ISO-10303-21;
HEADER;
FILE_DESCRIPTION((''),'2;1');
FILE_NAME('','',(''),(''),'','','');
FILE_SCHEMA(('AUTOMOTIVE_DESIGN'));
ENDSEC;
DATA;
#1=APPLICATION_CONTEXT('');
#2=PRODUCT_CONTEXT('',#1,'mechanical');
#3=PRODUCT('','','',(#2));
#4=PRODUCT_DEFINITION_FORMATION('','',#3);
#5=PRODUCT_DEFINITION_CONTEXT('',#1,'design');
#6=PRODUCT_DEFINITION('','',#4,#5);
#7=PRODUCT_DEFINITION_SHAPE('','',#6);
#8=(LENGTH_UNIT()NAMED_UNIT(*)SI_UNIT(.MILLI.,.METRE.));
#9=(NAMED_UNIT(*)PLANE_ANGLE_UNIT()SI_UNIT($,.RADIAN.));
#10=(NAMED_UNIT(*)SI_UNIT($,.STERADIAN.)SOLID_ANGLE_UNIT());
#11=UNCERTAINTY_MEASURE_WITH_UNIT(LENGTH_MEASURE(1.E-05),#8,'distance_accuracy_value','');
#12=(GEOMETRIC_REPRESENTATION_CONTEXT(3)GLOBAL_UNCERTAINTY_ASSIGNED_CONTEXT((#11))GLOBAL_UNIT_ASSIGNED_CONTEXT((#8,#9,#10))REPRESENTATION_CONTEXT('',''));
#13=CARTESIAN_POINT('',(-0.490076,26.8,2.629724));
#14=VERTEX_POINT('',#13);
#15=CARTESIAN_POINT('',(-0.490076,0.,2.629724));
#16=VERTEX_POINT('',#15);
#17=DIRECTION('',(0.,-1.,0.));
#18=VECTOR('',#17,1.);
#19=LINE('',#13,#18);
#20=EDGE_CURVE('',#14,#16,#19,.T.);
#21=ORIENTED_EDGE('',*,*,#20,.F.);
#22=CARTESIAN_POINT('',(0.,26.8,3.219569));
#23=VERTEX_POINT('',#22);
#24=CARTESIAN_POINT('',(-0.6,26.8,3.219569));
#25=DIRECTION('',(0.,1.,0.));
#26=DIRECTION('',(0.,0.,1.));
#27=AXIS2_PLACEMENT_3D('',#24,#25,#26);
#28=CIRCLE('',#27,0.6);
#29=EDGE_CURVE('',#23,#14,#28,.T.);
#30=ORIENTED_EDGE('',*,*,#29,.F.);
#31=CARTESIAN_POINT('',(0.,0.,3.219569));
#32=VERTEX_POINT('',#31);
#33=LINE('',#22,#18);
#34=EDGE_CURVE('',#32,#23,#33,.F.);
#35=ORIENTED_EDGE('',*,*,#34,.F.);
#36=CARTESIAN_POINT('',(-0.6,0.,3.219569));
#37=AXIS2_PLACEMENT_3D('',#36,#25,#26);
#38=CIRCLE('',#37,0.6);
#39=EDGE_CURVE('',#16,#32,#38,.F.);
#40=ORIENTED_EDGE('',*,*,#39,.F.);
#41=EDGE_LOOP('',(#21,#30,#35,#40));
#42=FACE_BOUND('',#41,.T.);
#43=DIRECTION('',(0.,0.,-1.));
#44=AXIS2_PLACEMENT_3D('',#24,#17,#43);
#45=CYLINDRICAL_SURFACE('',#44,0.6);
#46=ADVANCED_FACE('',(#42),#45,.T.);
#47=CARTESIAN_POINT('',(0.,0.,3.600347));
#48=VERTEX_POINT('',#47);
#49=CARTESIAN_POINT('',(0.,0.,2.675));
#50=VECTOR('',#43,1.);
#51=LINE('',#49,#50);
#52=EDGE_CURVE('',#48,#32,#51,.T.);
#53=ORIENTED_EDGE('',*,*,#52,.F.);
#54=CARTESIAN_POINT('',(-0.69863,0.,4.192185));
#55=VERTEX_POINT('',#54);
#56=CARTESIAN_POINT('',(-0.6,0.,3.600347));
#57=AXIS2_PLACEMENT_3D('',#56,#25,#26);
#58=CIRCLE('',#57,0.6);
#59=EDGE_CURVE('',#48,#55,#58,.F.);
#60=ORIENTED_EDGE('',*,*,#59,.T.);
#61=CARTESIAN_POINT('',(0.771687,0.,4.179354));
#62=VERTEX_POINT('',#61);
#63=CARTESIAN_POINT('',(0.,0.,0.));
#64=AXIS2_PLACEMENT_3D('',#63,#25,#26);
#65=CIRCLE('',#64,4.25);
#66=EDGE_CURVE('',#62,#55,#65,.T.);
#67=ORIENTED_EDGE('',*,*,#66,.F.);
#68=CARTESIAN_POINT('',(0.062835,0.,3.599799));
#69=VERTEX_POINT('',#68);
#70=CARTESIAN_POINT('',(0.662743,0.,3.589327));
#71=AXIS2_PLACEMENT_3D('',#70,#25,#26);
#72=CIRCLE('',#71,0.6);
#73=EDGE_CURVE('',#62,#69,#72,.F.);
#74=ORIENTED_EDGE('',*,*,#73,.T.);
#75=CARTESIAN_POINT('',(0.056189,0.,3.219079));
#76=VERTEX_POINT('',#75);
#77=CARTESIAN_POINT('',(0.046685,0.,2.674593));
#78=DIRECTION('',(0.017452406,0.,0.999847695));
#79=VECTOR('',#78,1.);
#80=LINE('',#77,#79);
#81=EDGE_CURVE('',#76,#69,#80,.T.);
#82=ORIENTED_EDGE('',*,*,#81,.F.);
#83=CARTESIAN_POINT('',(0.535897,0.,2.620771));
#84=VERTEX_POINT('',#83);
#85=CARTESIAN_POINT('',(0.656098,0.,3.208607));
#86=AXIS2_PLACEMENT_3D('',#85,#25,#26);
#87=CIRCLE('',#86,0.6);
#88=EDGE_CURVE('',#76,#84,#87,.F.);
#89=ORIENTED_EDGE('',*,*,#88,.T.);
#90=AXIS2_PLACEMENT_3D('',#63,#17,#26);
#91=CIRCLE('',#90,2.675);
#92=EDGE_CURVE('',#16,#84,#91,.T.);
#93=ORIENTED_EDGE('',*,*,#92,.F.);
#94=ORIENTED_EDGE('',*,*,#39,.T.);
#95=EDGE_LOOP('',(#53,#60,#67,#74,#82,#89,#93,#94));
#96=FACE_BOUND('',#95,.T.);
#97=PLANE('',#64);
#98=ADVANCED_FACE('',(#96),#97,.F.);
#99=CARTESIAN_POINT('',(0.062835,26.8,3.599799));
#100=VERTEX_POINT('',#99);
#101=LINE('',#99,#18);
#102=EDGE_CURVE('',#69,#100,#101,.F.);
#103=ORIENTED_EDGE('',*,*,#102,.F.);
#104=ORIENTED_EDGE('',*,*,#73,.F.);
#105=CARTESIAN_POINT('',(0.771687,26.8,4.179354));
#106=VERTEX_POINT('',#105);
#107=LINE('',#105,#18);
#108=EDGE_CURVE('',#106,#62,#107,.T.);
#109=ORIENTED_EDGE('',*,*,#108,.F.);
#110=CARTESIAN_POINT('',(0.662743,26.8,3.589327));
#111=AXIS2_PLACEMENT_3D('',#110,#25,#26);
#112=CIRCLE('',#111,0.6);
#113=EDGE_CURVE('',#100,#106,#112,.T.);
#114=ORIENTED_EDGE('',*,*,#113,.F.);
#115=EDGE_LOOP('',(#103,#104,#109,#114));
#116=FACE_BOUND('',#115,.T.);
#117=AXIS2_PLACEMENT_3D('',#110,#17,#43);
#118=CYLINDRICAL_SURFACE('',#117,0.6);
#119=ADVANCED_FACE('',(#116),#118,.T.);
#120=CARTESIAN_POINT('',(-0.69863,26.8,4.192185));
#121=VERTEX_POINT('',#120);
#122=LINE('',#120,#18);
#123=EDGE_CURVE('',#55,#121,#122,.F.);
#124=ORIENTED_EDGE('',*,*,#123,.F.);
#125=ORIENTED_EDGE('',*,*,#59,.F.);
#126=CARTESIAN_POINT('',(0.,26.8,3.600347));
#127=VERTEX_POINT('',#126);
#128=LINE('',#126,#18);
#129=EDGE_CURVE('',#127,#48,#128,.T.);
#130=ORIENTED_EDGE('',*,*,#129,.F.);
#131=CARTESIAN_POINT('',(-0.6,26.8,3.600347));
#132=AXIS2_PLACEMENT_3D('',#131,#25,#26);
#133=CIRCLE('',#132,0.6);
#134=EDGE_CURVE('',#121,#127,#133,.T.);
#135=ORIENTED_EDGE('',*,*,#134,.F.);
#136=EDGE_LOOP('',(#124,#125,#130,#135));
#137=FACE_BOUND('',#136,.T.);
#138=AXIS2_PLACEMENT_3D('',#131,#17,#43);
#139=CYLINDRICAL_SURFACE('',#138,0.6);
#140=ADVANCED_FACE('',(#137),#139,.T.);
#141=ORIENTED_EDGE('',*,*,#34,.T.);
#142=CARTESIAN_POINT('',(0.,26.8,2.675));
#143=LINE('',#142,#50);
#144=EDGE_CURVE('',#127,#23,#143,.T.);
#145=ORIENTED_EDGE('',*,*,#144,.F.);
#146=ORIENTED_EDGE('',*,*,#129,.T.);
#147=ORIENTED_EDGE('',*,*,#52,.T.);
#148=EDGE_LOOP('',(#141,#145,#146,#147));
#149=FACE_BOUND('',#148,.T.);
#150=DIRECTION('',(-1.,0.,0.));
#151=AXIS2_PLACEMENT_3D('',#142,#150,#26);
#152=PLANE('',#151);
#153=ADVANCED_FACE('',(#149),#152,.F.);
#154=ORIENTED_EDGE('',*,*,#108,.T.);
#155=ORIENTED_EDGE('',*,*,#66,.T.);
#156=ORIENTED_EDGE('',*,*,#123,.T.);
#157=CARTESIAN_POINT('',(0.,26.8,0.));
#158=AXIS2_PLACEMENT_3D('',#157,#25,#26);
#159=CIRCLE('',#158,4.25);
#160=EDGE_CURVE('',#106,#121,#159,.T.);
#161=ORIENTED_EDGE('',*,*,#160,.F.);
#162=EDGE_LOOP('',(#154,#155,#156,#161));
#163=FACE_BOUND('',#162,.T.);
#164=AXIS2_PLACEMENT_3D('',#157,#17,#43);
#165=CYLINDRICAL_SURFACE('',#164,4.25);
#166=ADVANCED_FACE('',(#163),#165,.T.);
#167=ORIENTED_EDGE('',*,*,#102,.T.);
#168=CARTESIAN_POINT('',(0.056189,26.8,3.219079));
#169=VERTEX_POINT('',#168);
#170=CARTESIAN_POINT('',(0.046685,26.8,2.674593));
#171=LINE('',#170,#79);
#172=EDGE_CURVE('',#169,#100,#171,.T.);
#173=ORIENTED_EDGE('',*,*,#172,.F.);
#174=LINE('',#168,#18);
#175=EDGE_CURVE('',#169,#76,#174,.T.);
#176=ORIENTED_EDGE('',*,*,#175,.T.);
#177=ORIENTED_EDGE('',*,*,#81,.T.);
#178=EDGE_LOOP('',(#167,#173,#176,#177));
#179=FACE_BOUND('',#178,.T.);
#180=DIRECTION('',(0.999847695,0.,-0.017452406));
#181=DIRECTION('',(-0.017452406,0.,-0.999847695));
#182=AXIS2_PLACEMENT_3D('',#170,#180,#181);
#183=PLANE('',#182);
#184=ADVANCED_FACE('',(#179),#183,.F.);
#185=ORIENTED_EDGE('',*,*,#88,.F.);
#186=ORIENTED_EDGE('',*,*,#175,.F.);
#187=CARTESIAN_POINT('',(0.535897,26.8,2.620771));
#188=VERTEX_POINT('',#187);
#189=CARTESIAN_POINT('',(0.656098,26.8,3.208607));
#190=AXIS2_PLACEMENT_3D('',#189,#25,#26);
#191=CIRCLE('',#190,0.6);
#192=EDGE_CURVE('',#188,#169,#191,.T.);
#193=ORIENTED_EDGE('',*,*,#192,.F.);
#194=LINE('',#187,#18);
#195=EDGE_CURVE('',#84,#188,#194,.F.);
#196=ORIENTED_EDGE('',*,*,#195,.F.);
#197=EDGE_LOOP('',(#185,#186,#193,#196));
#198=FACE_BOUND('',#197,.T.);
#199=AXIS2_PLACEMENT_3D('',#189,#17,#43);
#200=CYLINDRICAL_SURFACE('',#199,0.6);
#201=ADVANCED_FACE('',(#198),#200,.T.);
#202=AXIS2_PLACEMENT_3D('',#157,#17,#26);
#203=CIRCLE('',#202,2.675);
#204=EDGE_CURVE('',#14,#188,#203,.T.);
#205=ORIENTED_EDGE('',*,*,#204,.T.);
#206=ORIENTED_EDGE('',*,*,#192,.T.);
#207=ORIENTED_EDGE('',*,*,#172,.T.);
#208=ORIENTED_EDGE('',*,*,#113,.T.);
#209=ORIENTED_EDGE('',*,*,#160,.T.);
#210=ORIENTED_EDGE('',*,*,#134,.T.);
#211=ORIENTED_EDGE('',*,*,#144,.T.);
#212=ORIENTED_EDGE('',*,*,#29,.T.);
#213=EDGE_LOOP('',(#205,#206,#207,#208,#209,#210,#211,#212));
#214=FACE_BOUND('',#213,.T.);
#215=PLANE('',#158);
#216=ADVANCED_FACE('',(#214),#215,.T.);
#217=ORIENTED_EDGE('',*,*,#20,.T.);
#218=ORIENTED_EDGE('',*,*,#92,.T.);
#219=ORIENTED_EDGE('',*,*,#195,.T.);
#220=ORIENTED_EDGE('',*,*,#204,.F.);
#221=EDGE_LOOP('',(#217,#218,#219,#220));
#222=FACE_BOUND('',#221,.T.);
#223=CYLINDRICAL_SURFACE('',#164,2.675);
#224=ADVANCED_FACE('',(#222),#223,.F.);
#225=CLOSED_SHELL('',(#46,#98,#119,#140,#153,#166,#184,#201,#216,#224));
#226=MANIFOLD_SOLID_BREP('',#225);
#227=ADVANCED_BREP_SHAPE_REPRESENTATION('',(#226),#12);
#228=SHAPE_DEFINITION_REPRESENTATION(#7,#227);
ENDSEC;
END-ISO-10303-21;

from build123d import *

# Parameters (mm, degrees)
BOSS_EXTRUDE1_DEPTH = 26.8
FILLET1_R           = 0.6


with BuildPart() as part:
    # Sketch1 → Boss-Extrude1 (new body)
    with BuildSketch(Plane(origin=(0, 0, 0), x_dir=(1, 0, 0), z_dir=(0, 1, 0))):
        with BuildLine():
            Line((0.046685187, -2.674592585), (0.074172727, -4.249352704))
            ThreePointArc((0.074172727, -4.249352704), (-0.037087776, 4.249838173), (0, -4.25))
            Line((0, -4.25), (0, -2.675))
            ThreePointArc((0, -2.675), (-0.023343482, 2.674898144), (0.046685187, -2.674592585))
        make_face()
    extrude(amount=BOSS_EXTRUDE1_DEPTH)

    # Fillet1
    fillet1_edges = [part.edges().sort_by_distance(p)[0] for p in [
        (0, 13.4, 2.675),
        (0, 13.4, 4.25),
        (0.074172727, 13.4, 4.249352704),
        (0.046685187, 13.4, 2.674592585),
    ]]
    fillet(fillet1_edges, radius=FILLET1_R)


solid = part.part
